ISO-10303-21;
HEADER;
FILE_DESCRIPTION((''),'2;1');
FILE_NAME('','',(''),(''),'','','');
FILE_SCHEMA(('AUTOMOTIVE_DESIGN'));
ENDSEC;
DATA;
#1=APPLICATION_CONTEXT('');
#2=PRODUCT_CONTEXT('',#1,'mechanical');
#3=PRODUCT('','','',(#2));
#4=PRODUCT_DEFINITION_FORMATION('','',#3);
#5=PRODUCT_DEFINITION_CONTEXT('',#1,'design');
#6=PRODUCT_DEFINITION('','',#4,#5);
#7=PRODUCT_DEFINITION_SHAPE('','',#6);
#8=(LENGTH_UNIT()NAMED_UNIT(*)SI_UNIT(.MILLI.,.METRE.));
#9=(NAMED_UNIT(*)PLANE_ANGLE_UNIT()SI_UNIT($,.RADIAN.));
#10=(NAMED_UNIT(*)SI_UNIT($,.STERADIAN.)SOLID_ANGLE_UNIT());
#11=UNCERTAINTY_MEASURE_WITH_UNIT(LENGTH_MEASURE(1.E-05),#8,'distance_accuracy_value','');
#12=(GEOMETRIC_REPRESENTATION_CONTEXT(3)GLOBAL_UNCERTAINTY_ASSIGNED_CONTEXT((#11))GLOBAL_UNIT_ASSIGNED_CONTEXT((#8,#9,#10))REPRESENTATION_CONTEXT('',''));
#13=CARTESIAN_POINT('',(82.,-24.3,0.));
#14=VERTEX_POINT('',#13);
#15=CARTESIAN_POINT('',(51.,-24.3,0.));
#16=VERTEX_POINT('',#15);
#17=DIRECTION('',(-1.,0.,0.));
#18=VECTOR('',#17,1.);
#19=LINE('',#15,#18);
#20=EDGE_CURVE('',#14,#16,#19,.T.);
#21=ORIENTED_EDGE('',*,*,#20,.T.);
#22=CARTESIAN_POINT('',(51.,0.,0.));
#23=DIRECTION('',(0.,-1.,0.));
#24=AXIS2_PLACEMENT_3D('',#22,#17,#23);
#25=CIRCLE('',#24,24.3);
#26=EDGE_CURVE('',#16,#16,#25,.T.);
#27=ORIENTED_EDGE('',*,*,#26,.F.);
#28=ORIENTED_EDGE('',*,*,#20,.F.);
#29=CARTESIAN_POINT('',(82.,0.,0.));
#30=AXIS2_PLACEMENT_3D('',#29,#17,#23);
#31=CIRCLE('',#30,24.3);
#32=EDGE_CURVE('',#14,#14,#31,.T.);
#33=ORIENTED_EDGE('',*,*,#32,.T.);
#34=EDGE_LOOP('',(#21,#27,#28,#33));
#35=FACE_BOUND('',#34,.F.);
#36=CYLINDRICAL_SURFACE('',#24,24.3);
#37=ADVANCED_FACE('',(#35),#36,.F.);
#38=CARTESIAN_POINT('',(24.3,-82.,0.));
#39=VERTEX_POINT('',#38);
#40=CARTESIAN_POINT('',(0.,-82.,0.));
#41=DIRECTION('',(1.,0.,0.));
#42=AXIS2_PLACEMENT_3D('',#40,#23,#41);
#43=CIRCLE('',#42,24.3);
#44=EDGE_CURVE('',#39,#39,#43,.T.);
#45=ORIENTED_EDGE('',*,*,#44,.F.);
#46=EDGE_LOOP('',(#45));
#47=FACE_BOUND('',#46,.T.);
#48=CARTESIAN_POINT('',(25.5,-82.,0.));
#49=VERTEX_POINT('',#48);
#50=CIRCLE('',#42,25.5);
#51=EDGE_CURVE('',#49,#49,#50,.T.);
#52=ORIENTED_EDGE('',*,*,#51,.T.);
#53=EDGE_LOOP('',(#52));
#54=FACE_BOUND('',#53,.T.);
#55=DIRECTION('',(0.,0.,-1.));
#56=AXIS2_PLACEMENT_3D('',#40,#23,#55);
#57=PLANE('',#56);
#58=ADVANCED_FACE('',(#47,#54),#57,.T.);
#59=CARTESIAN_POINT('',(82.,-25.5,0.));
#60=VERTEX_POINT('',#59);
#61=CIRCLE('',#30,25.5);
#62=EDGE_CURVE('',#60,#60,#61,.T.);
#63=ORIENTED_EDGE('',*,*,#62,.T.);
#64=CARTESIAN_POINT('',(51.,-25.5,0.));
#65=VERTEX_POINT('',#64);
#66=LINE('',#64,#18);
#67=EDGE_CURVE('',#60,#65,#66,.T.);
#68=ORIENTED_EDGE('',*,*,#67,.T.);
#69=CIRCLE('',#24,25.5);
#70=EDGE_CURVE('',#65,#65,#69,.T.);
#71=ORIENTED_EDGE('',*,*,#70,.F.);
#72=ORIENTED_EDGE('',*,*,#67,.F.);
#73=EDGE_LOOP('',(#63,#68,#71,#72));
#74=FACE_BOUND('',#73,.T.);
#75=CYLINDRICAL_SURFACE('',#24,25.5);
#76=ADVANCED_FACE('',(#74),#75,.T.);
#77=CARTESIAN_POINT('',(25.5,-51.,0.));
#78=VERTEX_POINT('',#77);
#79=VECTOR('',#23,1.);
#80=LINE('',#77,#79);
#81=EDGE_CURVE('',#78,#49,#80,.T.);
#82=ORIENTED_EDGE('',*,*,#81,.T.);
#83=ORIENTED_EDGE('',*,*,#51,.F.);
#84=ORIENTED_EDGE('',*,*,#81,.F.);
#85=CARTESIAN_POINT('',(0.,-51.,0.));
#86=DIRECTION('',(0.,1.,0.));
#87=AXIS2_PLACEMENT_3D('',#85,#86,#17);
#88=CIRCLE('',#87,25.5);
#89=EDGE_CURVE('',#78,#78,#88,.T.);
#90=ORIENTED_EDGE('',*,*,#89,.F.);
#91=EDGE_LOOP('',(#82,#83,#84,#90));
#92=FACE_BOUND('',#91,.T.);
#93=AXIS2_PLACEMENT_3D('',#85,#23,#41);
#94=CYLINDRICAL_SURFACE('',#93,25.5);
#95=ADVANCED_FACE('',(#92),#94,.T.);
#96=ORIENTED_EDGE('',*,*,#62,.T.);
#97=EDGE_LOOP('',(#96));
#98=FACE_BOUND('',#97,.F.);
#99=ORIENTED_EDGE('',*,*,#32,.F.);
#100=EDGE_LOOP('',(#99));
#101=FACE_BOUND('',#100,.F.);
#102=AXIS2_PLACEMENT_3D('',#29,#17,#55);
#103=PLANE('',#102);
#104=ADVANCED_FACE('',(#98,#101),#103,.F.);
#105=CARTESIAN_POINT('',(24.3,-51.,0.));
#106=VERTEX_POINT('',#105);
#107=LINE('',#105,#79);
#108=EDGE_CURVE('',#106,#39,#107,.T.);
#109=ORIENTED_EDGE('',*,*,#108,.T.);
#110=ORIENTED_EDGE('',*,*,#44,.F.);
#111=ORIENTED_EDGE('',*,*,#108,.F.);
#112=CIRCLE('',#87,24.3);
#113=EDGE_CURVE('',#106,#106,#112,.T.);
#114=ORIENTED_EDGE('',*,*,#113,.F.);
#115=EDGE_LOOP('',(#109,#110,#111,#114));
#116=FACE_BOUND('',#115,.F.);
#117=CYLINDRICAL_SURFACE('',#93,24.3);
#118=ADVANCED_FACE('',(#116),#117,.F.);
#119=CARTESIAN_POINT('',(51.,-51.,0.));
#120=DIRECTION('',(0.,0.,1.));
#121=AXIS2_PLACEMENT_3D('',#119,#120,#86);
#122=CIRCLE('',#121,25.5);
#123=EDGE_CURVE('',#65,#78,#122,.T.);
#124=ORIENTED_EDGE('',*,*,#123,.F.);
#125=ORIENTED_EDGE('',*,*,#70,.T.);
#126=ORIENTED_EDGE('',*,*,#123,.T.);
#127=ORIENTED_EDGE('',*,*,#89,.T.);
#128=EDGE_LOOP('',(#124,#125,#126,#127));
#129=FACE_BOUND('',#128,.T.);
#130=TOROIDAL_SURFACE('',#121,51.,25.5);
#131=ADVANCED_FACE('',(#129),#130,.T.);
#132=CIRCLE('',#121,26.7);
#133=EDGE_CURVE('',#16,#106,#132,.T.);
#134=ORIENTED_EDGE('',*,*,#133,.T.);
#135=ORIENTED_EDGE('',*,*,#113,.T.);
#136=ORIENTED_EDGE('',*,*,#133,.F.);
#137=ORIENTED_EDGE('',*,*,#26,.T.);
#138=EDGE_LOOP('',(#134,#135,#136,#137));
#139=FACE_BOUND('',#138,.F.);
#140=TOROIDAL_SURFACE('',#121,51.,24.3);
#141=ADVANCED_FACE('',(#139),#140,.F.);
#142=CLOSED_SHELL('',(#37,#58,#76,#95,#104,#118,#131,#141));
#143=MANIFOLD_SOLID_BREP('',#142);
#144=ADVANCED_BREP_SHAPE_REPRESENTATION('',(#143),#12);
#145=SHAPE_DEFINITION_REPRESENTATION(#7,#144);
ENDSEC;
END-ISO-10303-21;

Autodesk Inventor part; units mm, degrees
ref_plane "YZ Plane" through (0, 0, 0) normal (1, 0, 0) x (0, 1, 0)
ref_plane "XZ Plane" through (0, 0, 0) normal (0, 1, 0) x (-1, 0, 0)
sketch "Szkic6" plane through (0, 0, 0) normal (0, 0, 1) x (1, 0, 0)
  line L0 (-29.6067, 0) -> (35.2678, 0) construction
  line L1 (0, 42.3419) -> (0, -58.3726) construction
  arc A0 (51, 0) -> (0, -51) centre (51, -51) ccw
  line L2 (0, -51) -> (51, -51) construction
  line L3 (51, -51) -> (51, 14.5331) construction
  line L4 (51, 0) -> (82, 0)
  line L5 (0, -51) -> (0, -82)
  point P0 (0, 0)
  dimension "d24" = 51
  dimension "d31" = 90
  dimension "d36" = 31
  dimension "d37" = 31
ref_plane "Płaszczyzna konstrukcyjna2" through (0, -51, 0) normal (0, -1, 0) x (1, 0, 0)
sketch "Szkic8" plane through (0, -51, 0) normal (0, -1, 0) x (1, 0, 0)
  circle A0 centre (0, 0) radius 25.5
  circle A1 centre (0, 0) radius 24.3
  dimension "d32" = 51
  dimension "d33" = 1.2
sweep "Przeciągnięcie2" add profiles "Szkic8" path "Szkic6"
equation "\"d32\" = OD"
equation "\"d33\" = THK"
equation "\"d24\" = R"
equation "\"d31\" = KAT"
equation "\"d36\" = PROSTKA"
equation "\"d37\" = PROSTKA"
equation "\"SzerokośćGięciaPodcięcia\" = Grubość"
equation "\"RozmiarPodcięciaNarożnika\" = 4 * Grubość"
equation "\"PromieńPrzejścia\" = PromieńGięcia"
equation "\"Rozmiar_promienia_Jacobiego\" = PromieńGięcia"
equation "\"Wielk_odstępu\" = Grubość"
equation "\"d2\" = PromieńGięcia"
equation "\"d23\" = PromieńGięcia"
equation "\"R\" = 51"
equation "\"OD\" = 51"
equation "\"THK\" = 1.2"
equation "\"KAT\" = 90deg"
equation "\"PROSTKA\" = 31"
equation "\"Grubość\" = 1.5"
equation "\"PromieńGięcia\" = 3"
properties part number "Kolano 90° ø51x1,2 R51" material "304L"
